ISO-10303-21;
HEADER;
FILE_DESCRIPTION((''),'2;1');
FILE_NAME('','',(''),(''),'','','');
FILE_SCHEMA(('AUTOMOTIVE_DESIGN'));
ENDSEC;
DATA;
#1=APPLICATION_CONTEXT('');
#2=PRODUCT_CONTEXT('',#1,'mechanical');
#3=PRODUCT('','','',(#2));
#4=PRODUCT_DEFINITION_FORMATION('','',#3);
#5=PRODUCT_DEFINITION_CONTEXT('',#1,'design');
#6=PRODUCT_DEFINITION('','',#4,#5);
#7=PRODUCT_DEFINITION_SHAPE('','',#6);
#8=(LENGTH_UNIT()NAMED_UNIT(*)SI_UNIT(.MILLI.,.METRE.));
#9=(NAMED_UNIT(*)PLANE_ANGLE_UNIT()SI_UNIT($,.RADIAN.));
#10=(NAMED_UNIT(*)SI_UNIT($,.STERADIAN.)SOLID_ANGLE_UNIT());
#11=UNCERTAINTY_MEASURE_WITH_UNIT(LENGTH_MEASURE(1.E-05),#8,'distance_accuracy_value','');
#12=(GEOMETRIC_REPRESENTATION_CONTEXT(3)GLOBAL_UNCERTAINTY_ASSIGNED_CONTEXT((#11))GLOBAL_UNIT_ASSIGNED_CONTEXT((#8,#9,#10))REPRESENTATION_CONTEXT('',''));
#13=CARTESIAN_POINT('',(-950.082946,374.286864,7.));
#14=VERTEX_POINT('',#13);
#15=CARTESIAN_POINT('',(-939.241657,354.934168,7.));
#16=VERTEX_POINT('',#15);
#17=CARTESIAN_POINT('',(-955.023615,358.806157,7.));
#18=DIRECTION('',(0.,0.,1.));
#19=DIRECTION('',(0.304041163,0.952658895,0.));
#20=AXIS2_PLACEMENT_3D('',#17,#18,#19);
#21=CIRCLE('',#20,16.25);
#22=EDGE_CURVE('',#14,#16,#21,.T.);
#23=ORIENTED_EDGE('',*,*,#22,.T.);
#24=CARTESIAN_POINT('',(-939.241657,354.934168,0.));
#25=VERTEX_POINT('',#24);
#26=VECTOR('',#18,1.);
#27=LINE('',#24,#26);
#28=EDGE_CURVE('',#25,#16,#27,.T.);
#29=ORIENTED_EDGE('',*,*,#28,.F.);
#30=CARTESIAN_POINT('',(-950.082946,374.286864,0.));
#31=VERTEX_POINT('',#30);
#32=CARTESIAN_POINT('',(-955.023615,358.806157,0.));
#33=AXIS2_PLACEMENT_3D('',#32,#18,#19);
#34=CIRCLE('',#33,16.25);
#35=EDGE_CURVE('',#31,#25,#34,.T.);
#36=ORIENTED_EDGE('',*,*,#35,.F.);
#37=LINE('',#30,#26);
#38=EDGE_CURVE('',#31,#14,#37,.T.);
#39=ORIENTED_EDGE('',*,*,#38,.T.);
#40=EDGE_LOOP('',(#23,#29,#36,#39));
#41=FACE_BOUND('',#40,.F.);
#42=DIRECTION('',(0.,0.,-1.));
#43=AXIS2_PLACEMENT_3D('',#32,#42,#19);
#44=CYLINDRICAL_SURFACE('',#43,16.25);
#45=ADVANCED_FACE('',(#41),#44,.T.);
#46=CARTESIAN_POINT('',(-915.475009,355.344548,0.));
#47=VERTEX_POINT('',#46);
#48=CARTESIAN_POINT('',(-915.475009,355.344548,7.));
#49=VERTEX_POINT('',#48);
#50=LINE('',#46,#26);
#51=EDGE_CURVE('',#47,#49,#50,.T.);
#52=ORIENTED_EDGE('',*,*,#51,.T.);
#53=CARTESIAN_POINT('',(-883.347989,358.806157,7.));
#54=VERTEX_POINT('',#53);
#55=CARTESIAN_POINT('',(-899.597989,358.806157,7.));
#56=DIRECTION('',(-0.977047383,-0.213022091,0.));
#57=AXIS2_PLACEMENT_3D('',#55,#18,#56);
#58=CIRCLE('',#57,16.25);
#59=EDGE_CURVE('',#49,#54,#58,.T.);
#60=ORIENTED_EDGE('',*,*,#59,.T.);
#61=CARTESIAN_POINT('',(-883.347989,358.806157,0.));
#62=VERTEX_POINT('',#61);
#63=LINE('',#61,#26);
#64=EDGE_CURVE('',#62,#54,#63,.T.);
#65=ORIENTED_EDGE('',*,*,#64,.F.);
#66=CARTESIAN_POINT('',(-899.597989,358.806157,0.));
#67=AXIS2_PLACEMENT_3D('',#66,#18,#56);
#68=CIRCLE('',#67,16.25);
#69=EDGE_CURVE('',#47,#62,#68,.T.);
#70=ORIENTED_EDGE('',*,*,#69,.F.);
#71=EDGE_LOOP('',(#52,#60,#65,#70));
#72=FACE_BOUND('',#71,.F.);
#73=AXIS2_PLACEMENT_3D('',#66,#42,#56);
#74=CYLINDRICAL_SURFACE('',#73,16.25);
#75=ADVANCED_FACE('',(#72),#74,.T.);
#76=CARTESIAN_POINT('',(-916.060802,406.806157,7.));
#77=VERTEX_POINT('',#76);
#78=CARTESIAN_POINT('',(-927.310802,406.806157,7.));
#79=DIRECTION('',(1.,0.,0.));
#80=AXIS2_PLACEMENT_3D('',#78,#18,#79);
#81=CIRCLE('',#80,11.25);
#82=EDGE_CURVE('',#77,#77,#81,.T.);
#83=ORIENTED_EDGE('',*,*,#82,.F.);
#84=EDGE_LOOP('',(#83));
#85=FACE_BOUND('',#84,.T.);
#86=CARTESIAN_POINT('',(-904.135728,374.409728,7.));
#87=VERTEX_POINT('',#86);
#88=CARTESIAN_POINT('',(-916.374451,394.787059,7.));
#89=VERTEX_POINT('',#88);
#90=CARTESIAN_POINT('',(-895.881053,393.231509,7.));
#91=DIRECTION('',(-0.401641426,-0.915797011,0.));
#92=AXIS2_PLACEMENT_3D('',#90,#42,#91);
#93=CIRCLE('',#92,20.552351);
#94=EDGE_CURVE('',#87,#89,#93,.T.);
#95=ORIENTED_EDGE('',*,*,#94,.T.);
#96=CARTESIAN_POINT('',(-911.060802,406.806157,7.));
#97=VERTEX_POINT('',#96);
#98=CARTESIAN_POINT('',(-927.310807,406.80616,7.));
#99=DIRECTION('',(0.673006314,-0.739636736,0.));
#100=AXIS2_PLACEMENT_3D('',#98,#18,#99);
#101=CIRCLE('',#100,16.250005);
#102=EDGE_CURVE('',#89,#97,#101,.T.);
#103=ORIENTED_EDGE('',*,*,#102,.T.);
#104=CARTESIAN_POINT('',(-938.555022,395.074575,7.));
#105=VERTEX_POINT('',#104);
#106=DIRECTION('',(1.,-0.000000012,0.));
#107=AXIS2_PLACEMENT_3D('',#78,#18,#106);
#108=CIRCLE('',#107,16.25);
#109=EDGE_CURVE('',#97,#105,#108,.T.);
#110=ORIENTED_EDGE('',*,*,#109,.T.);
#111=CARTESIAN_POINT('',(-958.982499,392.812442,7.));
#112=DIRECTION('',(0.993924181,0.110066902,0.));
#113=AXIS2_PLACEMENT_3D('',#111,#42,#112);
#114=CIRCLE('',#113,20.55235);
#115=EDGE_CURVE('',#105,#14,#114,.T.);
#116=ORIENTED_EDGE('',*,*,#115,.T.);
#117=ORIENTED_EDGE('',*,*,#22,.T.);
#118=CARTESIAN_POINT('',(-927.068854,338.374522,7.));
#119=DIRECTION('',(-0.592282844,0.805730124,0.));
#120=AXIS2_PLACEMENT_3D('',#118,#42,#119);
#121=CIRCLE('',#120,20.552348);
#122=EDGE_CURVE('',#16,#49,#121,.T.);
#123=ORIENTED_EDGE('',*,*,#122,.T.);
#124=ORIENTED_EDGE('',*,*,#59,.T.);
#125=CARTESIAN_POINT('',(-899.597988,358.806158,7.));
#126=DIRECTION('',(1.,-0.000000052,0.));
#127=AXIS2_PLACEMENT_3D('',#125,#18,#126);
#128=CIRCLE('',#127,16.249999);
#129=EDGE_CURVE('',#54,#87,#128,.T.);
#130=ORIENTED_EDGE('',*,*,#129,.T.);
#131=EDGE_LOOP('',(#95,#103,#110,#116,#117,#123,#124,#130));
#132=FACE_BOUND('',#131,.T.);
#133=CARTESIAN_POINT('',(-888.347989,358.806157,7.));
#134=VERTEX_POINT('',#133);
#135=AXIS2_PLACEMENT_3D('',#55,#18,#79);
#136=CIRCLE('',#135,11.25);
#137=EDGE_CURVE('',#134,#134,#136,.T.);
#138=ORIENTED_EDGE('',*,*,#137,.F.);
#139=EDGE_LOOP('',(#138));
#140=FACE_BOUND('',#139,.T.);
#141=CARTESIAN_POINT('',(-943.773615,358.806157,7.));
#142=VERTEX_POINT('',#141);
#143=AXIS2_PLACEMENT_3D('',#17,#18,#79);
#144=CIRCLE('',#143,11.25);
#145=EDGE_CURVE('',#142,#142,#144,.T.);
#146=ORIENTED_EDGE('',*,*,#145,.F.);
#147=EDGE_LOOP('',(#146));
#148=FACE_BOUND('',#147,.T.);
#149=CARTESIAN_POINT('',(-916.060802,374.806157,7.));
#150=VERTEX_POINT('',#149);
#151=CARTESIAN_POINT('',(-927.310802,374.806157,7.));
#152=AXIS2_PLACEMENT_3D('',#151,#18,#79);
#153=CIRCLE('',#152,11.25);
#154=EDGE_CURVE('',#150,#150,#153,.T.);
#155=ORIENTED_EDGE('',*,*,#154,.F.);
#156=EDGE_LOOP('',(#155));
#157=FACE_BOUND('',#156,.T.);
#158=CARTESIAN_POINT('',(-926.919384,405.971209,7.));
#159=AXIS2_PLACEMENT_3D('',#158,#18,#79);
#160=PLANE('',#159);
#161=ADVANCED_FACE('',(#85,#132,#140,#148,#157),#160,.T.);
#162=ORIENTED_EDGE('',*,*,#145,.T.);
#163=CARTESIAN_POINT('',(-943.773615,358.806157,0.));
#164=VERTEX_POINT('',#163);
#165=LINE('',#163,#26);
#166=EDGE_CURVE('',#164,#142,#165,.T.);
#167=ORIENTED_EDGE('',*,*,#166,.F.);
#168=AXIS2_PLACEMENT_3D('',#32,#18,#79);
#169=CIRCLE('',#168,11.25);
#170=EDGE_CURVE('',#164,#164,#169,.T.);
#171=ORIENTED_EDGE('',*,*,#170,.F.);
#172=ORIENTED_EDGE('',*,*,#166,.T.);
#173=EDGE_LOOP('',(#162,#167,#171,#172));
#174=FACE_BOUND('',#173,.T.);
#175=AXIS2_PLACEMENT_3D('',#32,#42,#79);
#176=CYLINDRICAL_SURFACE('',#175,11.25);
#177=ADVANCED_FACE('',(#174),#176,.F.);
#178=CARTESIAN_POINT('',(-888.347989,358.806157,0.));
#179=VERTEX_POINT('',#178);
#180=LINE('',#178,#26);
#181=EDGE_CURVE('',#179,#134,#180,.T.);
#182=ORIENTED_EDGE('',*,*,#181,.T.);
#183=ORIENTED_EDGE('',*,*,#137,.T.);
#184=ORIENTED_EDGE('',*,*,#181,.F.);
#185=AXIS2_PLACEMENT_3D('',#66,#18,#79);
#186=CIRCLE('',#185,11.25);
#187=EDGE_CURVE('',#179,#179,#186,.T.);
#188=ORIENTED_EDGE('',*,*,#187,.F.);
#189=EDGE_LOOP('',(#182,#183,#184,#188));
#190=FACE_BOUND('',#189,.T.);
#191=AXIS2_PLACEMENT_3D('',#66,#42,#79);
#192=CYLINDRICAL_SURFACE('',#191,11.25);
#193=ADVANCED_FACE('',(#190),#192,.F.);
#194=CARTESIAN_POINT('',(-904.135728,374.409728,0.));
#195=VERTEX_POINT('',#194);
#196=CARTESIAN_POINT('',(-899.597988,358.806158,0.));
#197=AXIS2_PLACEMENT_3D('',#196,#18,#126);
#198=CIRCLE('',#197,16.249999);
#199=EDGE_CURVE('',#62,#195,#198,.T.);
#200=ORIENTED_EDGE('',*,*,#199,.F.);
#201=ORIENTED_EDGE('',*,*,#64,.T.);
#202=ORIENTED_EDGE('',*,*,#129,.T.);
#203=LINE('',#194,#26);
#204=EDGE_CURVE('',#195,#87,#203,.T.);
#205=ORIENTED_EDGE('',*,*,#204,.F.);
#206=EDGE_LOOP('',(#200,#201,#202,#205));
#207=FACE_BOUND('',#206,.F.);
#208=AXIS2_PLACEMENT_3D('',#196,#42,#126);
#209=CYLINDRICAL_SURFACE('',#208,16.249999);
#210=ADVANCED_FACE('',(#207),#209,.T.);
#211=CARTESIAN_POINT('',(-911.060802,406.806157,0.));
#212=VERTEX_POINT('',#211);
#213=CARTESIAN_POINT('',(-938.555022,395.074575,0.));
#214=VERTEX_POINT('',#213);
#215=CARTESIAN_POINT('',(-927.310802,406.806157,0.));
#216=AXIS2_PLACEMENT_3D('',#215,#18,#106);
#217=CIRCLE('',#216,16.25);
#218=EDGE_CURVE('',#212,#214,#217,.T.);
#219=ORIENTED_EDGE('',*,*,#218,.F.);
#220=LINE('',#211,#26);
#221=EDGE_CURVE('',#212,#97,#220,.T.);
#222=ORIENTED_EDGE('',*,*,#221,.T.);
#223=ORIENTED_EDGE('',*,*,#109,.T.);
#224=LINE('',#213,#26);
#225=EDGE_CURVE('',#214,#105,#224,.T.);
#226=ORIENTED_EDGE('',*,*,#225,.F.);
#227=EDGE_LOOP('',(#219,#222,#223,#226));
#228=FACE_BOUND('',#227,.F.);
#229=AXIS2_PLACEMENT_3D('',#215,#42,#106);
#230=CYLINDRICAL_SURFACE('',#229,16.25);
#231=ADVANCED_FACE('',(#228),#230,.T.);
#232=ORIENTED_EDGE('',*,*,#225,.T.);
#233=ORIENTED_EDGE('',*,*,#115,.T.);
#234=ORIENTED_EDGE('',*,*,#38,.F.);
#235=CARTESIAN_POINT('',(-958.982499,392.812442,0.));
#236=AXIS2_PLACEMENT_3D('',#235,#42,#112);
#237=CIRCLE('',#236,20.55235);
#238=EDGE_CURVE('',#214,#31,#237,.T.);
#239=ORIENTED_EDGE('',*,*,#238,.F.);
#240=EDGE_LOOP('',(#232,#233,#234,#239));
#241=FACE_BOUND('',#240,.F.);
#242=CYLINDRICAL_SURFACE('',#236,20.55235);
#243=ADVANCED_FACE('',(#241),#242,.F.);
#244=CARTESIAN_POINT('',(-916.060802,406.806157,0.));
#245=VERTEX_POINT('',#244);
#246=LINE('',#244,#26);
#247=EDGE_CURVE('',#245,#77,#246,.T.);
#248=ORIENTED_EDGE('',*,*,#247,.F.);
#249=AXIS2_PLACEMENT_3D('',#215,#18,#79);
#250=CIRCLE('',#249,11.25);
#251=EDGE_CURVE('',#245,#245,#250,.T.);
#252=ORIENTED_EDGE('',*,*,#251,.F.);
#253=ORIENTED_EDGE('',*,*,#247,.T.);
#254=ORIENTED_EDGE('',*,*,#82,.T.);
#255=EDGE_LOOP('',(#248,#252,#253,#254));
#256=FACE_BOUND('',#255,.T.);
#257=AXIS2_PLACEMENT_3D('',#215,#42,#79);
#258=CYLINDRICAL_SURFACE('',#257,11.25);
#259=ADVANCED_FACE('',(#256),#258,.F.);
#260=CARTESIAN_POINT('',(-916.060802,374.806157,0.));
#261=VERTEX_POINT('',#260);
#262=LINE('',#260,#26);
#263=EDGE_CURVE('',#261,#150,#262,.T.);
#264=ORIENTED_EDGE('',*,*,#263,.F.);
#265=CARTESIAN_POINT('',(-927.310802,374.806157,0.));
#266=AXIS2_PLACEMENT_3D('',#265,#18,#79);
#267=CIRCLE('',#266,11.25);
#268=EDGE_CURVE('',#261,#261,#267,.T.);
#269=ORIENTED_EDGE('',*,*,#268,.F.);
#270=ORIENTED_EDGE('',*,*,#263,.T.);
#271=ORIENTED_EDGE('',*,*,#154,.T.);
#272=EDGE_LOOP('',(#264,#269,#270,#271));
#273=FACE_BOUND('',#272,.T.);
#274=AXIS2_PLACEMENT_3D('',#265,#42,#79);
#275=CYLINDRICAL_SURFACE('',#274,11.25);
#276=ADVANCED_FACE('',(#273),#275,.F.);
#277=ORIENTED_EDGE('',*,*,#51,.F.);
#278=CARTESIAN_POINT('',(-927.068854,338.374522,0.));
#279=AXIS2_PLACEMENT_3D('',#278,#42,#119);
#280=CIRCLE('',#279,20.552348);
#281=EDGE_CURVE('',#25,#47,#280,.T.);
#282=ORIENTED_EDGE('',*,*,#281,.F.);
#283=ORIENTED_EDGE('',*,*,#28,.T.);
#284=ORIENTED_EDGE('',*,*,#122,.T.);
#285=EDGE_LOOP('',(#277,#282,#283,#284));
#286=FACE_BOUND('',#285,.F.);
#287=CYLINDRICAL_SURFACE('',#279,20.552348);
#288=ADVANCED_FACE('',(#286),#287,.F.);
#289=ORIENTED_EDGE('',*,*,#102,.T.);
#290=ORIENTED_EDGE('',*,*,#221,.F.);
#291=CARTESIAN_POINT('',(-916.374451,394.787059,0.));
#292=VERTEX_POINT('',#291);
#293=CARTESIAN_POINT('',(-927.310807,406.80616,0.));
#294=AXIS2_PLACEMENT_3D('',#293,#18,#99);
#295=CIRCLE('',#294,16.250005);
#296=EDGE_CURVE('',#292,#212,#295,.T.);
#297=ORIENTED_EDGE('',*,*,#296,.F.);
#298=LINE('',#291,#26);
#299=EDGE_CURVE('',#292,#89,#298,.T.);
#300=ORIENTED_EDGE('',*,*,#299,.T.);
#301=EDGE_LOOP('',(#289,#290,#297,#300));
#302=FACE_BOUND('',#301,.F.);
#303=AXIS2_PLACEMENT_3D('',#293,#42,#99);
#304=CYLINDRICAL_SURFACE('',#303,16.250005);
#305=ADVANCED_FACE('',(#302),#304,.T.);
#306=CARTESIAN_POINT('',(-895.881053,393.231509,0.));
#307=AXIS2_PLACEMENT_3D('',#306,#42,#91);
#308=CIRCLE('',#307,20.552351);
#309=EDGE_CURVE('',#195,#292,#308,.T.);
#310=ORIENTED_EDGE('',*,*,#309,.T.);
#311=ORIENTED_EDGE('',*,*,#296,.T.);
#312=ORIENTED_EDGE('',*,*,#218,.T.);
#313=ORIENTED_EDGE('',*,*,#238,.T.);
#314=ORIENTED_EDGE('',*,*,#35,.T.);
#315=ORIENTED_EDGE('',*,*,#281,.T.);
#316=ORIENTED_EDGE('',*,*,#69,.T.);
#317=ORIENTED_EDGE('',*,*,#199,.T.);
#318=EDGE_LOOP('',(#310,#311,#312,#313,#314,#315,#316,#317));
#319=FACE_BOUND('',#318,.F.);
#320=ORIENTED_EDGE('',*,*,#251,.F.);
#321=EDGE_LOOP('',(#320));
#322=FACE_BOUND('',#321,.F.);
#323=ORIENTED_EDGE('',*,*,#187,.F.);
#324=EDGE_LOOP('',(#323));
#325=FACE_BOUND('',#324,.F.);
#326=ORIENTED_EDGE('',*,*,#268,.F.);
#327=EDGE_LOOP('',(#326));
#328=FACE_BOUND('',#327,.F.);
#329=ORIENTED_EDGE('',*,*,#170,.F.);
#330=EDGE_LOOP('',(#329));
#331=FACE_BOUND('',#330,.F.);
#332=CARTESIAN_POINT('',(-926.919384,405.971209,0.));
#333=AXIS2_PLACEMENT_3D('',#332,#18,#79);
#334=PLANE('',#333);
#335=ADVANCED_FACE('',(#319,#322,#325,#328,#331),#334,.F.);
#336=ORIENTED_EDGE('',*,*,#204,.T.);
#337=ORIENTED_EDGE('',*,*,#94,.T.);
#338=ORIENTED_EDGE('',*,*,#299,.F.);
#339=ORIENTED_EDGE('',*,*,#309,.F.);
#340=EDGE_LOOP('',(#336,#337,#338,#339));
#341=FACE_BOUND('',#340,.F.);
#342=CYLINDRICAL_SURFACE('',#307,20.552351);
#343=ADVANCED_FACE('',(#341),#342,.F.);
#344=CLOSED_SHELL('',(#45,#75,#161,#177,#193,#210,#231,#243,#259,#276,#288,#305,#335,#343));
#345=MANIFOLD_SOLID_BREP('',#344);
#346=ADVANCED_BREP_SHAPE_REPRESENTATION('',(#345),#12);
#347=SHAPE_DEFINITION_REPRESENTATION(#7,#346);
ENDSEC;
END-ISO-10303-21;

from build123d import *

# Parameters (mm, degrees)
F0_R     = 11.25
F1_DEPTH = 7


with BuildPart() as f1:
    # F0 (on Top) → F1 (new body)
    with BuildSketch(Plane.XY):
        with BuildLine():
            ThreePointArc((-911.060802, 406.806157), (-933.68826, 421.752412), (-938.555022, 395.074575))
            ThreePointArc((-938.555022, 395.074575), (-927.521425, 390.557522), (-916.374451, 394.787059))
            ThreePointArc((-916.374451, 394.787059), (-912.448464, 400.235511), (-911.060802, 406.806157))
        make_face()
        with Locations((-927.310802, 406.806157)):
            Circle(F0_R, mode=Mode.SUBTRACT)
        with BuildLine():
            ThreePointArc((-950.082946, 374.286864), (-941.902099, 368.391997), (-938.773615, 358.806157))
            ThreePointArc((-938.773615, 358.806157), (-938.89105, 356.85607), (-939.241657, 354.934168))
            ThreePointArc((-939.241657, 354.934168), (-927.423679, 358.923807), (-915.475009, 355.344548))
            ThreePointArc((-915.475009, 355.344548), (-913.564408, 367.11288), (-904.135728, 374.409728))
            ThreePointArc((-904.135728, 374.409728), (-913.499845, 382.649578), (-916.374451, 394.787059))
            ThreePointArc((-916.374451, 394.787059), (-927.521425, 390.557522), (-938.555022, 395.074575))
            ThreePointArc((-938.555022, 395.074575), (-941.008882, 382.845087), (-950.082946, 374.286864))
        make_face()
        with Locations((-927.310802, 374.806157)):
            Circle(F0_R, mode=Mode.SUBTRACT)
        with BuildLine():
            ThreePointArc((-904.135728, 374.409728), (-913.564408, 367.11288), (-915.475009, 355.344548))
            ThreePointArc((-915.475009, 355.344548), (-897.857167, 342.649671), (-883.347989, 358.806157))
            ThreePointArc((-883.347989, 358.806157), (-889.842881, 371.802325), (-904.135728, 374.409728))
        make_face()
        with Locations((-899.597989, 358.806157)):
            Circle(F0_R, mode=Mode.SUBTRACT)
        with BuildLine():
            ThreePointArc((-939.241657, 354.934168), (-938.89105, 356.85607), (-938.773615, 358.806157))
            ThreePointArc((-938.773615, 358.806157), (-941.902099, 368.391997), (-950.082946, 374.286864))
            ThreePointArc((-950.082946, 374.286864), (-969.200657, 350.864245), (-939.241657, 354.934168))
        make_face()
        with Locations((-955.023615, 358.806157)):
            Circle(F0_R, mode=Mode.SUBTRACT)
    extrude(amount=F1_DEPTH)


solid = f1.part
